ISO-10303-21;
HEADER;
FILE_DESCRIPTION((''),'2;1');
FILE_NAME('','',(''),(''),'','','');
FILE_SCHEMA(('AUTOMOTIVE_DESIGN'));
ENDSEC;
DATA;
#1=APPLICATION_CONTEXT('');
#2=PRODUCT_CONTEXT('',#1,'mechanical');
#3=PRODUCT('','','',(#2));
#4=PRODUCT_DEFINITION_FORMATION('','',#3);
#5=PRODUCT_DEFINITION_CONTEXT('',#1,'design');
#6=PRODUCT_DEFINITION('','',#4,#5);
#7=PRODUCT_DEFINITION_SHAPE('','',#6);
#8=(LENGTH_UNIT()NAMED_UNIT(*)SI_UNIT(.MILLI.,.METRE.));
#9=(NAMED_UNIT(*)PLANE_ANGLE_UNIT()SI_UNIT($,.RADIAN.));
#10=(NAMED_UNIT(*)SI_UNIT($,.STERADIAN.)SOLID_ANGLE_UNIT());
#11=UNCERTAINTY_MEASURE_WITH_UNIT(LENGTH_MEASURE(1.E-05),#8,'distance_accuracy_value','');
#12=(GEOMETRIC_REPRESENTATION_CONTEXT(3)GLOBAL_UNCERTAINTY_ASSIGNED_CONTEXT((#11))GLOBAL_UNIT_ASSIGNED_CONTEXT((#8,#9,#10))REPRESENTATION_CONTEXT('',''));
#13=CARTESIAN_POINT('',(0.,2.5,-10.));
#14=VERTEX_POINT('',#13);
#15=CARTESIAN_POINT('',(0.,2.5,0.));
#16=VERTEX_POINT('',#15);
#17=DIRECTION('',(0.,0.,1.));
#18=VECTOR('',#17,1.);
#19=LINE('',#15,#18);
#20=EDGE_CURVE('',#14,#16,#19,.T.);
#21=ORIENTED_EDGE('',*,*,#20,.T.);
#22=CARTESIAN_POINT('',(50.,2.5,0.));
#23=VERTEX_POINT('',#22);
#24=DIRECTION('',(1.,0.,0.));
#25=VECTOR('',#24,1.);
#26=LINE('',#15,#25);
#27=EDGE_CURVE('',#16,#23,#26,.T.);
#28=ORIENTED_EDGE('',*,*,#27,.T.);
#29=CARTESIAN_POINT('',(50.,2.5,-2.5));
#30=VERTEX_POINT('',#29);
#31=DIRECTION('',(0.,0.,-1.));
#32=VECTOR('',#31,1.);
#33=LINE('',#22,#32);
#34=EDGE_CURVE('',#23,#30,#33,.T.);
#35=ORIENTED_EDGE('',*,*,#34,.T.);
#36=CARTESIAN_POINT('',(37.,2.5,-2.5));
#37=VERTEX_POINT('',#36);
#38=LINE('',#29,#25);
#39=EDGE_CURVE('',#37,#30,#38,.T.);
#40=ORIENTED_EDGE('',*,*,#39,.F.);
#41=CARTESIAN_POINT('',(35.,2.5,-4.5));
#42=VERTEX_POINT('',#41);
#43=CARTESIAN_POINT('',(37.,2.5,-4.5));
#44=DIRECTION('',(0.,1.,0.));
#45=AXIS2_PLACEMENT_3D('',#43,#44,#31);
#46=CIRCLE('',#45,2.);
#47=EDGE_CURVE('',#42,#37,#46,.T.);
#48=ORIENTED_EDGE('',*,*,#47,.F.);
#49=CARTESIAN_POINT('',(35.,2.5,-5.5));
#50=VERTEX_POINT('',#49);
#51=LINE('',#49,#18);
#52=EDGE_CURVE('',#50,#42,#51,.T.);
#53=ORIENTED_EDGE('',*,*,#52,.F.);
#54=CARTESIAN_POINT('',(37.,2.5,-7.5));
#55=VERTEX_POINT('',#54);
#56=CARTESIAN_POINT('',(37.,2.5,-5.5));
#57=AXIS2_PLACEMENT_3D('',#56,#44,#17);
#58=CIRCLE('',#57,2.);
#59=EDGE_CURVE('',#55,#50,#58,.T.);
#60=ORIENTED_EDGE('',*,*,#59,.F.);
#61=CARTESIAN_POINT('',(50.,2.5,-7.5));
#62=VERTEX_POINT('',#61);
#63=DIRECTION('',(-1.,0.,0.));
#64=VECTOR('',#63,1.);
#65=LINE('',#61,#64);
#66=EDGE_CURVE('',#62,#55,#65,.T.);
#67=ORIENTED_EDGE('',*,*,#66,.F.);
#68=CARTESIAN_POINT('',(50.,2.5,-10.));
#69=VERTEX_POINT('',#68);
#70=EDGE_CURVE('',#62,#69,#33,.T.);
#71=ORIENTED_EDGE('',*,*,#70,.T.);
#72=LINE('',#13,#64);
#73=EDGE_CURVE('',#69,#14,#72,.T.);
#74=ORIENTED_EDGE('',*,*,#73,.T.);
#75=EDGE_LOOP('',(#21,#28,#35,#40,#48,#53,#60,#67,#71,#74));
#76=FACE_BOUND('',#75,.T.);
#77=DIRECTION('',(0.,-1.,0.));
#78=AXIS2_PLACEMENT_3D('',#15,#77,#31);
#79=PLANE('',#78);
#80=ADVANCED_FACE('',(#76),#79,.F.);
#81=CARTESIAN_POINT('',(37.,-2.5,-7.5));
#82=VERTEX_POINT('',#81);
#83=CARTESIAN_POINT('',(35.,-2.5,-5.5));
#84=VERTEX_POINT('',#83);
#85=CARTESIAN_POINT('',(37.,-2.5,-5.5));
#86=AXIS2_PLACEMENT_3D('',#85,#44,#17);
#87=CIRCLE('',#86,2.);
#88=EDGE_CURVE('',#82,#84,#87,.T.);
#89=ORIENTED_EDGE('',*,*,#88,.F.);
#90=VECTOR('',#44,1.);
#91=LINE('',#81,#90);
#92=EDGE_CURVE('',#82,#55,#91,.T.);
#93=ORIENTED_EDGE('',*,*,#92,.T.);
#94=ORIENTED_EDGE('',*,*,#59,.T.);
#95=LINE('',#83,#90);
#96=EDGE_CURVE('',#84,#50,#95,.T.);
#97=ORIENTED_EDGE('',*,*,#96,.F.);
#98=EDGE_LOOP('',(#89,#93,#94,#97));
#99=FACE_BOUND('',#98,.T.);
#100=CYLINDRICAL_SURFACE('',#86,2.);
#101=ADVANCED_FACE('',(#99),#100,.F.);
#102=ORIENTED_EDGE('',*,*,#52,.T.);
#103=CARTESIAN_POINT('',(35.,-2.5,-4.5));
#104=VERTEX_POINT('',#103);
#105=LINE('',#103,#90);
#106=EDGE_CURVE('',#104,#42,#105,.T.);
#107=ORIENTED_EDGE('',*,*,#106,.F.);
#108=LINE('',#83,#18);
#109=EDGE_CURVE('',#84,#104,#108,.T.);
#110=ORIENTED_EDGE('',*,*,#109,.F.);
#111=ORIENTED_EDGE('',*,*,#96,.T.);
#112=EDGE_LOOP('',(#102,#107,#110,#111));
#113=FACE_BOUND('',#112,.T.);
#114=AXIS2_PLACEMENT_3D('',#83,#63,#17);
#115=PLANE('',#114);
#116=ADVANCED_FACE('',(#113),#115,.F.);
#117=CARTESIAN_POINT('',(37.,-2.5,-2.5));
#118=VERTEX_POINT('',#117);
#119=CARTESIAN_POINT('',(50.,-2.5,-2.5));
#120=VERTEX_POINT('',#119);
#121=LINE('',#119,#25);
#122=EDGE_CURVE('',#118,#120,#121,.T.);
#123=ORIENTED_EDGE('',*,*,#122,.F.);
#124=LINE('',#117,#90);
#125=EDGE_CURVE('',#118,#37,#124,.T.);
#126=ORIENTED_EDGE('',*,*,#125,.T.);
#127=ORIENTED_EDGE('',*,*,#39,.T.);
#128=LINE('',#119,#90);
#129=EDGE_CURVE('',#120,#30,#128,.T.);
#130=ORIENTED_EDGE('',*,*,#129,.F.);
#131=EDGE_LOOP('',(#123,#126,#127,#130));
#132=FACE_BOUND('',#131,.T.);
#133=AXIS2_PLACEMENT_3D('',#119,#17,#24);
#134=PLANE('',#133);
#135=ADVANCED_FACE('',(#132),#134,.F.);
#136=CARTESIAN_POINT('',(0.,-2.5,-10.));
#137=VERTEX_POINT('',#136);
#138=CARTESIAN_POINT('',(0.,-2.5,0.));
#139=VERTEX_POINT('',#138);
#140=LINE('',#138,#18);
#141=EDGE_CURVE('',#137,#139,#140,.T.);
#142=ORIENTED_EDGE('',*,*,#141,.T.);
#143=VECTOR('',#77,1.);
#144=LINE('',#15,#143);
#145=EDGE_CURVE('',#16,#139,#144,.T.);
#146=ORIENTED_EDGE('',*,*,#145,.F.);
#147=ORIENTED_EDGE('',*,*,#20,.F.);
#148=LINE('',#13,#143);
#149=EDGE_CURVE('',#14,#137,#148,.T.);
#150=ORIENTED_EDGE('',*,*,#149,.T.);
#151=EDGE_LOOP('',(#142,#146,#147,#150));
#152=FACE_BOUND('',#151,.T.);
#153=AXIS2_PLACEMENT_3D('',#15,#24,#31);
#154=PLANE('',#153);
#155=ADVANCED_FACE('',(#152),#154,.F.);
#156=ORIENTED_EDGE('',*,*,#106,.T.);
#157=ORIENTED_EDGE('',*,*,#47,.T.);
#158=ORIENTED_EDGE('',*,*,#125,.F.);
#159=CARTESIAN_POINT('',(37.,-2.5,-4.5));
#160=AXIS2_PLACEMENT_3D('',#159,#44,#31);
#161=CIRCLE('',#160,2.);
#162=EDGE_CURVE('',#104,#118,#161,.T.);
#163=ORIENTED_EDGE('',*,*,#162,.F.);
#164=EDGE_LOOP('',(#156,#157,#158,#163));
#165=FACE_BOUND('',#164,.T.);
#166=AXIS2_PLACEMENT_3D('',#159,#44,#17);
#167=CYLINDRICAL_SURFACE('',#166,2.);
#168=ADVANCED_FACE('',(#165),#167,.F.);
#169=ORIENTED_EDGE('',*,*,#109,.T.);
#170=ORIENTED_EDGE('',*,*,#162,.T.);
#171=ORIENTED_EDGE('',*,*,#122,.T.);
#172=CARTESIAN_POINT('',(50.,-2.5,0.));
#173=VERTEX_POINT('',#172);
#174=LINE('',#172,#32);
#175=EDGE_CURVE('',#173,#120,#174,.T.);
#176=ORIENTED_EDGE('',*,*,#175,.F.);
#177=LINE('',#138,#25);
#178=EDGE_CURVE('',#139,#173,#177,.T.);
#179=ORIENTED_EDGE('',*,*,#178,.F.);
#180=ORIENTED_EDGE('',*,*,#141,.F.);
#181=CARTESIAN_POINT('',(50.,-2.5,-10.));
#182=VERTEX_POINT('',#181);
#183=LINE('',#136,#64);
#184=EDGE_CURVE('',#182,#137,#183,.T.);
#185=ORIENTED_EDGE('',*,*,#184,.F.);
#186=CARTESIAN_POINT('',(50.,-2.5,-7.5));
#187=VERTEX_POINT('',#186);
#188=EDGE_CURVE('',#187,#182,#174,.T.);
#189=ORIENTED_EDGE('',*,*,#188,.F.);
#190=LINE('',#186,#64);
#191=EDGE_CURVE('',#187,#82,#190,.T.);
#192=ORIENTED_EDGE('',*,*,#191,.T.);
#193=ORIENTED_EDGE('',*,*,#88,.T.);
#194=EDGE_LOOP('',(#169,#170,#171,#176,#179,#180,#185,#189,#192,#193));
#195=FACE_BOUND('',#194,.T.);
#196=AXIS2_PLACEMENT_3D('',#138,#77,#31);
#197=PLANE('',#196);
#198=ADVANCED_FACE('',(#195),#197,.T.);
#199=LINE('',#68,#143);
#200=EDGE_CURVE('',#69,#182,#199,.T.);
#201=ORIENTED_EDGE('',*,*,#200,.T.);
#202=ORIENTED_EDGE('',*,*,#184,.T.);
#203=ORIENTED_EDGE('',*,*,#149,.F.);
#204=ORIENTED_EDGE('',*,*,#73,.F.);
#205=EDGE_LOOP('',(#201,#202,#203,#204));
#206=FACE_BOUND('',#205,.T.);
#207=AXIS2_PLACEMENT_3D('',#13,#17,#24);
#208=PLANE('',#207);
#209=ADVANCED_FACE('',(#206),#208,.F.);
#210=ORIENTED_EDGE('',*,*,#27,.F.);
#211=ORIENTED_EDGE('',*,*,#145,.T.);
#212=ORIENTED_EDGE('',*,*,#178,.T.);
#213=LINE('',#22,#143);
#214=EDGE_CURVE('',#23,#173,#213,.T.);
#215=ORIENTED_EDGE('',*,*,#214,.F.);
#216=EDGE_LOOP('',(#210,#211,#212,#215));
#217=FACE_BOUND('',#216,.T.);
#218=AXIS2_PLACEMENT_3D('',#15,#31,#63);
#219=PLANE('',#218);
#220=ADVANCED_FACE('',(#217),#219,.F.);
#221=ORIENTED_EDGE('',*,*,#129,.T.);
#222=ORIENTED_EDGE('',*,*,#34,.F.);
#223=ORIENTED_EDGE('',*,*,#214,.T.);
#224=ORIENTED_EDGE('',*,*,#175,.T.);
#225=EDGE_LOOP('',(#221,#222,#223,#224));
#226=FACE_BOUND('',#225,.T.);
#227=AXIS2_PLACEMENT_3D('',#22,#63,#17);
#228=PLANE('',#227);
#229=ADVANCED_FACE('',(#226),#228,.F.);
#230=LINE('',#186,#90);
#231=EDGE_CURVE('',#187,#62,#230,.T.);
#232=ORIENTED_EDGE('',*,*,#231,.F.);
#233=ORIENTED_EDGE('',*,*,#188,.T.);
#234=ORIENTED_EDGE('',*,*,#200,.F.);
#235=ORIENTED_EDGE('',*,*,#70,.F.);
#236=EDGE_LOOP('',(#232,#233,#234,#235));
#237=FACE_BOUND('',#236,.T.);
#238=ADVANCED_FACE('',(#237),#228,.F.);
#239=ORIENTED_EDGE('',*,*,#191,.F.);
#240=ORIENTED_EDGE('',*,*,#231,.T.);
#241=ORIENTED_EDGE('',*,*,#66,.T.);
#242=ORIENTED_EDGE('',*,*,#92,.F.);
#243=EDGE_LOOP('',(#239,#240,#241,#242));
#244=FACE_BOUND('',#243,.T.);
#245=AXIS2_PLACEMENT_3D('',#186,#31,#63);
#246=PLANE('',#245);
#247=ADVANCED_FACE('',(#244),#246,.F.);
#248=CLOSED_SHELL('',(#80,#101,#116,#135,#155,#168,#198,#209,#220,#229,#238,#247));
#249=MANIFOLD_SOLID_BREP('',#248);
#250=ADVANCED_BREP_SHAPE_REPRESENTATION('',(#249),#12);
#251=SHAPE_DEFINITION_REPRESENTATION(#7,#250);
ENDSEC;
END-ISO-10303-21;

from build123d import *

# Parameters (mm, degrees)
CROQUIS1_W              = 50
CROQUIS1_H              = 10
SALIENTE_EXTRUIR1_DEPTH = 2.5
CORTAR_EXTRUIR1_DEPTH   = 52.23475383


with BuildPart() as part:
    # Croquis1 → Saliente-Extruir1 (new, symmetric)
    with BuildSketch(Plane(origin=(0, 0, 0), x_dir=(1, 0, 0), z_dir=(0, 1, 0))):
        with Locations((25, 5)):
            Rectangle(CROQUIS1_W, CROQUIS1_H)
    extrude(amount=SALIENTE_EXTRUIR1_DEPTH, both=True)

    # Croquis2 → Cortar-Extruir1 (cut, through all)
    with BuildSketch(Plane(origin=(0, 2.5, 0), x_dir=(1, 0, 0), z_dir=(0, 1, 0))):
        with BuildLine():
            Line((50, 7.5), (37, 7.5))
            ThreePointArc((37, 7.5), (35.585786438, 6.914213562), (35, 5.5))
            Line((35, 5.5), (35, 4.5))
            ThreePointArc((35, 4.5), (35.585786438, 3.085786438), (37, 2.5))
            Line((37, 2.5), (50, 2.5))
            Line((50, 2.5), (50, 7.5))
        make_face()
    extrude(amount=-CORTAR_EXTRUIR1_DEPTH, mode=Mode.SUBTRACT)


solid = part.part
